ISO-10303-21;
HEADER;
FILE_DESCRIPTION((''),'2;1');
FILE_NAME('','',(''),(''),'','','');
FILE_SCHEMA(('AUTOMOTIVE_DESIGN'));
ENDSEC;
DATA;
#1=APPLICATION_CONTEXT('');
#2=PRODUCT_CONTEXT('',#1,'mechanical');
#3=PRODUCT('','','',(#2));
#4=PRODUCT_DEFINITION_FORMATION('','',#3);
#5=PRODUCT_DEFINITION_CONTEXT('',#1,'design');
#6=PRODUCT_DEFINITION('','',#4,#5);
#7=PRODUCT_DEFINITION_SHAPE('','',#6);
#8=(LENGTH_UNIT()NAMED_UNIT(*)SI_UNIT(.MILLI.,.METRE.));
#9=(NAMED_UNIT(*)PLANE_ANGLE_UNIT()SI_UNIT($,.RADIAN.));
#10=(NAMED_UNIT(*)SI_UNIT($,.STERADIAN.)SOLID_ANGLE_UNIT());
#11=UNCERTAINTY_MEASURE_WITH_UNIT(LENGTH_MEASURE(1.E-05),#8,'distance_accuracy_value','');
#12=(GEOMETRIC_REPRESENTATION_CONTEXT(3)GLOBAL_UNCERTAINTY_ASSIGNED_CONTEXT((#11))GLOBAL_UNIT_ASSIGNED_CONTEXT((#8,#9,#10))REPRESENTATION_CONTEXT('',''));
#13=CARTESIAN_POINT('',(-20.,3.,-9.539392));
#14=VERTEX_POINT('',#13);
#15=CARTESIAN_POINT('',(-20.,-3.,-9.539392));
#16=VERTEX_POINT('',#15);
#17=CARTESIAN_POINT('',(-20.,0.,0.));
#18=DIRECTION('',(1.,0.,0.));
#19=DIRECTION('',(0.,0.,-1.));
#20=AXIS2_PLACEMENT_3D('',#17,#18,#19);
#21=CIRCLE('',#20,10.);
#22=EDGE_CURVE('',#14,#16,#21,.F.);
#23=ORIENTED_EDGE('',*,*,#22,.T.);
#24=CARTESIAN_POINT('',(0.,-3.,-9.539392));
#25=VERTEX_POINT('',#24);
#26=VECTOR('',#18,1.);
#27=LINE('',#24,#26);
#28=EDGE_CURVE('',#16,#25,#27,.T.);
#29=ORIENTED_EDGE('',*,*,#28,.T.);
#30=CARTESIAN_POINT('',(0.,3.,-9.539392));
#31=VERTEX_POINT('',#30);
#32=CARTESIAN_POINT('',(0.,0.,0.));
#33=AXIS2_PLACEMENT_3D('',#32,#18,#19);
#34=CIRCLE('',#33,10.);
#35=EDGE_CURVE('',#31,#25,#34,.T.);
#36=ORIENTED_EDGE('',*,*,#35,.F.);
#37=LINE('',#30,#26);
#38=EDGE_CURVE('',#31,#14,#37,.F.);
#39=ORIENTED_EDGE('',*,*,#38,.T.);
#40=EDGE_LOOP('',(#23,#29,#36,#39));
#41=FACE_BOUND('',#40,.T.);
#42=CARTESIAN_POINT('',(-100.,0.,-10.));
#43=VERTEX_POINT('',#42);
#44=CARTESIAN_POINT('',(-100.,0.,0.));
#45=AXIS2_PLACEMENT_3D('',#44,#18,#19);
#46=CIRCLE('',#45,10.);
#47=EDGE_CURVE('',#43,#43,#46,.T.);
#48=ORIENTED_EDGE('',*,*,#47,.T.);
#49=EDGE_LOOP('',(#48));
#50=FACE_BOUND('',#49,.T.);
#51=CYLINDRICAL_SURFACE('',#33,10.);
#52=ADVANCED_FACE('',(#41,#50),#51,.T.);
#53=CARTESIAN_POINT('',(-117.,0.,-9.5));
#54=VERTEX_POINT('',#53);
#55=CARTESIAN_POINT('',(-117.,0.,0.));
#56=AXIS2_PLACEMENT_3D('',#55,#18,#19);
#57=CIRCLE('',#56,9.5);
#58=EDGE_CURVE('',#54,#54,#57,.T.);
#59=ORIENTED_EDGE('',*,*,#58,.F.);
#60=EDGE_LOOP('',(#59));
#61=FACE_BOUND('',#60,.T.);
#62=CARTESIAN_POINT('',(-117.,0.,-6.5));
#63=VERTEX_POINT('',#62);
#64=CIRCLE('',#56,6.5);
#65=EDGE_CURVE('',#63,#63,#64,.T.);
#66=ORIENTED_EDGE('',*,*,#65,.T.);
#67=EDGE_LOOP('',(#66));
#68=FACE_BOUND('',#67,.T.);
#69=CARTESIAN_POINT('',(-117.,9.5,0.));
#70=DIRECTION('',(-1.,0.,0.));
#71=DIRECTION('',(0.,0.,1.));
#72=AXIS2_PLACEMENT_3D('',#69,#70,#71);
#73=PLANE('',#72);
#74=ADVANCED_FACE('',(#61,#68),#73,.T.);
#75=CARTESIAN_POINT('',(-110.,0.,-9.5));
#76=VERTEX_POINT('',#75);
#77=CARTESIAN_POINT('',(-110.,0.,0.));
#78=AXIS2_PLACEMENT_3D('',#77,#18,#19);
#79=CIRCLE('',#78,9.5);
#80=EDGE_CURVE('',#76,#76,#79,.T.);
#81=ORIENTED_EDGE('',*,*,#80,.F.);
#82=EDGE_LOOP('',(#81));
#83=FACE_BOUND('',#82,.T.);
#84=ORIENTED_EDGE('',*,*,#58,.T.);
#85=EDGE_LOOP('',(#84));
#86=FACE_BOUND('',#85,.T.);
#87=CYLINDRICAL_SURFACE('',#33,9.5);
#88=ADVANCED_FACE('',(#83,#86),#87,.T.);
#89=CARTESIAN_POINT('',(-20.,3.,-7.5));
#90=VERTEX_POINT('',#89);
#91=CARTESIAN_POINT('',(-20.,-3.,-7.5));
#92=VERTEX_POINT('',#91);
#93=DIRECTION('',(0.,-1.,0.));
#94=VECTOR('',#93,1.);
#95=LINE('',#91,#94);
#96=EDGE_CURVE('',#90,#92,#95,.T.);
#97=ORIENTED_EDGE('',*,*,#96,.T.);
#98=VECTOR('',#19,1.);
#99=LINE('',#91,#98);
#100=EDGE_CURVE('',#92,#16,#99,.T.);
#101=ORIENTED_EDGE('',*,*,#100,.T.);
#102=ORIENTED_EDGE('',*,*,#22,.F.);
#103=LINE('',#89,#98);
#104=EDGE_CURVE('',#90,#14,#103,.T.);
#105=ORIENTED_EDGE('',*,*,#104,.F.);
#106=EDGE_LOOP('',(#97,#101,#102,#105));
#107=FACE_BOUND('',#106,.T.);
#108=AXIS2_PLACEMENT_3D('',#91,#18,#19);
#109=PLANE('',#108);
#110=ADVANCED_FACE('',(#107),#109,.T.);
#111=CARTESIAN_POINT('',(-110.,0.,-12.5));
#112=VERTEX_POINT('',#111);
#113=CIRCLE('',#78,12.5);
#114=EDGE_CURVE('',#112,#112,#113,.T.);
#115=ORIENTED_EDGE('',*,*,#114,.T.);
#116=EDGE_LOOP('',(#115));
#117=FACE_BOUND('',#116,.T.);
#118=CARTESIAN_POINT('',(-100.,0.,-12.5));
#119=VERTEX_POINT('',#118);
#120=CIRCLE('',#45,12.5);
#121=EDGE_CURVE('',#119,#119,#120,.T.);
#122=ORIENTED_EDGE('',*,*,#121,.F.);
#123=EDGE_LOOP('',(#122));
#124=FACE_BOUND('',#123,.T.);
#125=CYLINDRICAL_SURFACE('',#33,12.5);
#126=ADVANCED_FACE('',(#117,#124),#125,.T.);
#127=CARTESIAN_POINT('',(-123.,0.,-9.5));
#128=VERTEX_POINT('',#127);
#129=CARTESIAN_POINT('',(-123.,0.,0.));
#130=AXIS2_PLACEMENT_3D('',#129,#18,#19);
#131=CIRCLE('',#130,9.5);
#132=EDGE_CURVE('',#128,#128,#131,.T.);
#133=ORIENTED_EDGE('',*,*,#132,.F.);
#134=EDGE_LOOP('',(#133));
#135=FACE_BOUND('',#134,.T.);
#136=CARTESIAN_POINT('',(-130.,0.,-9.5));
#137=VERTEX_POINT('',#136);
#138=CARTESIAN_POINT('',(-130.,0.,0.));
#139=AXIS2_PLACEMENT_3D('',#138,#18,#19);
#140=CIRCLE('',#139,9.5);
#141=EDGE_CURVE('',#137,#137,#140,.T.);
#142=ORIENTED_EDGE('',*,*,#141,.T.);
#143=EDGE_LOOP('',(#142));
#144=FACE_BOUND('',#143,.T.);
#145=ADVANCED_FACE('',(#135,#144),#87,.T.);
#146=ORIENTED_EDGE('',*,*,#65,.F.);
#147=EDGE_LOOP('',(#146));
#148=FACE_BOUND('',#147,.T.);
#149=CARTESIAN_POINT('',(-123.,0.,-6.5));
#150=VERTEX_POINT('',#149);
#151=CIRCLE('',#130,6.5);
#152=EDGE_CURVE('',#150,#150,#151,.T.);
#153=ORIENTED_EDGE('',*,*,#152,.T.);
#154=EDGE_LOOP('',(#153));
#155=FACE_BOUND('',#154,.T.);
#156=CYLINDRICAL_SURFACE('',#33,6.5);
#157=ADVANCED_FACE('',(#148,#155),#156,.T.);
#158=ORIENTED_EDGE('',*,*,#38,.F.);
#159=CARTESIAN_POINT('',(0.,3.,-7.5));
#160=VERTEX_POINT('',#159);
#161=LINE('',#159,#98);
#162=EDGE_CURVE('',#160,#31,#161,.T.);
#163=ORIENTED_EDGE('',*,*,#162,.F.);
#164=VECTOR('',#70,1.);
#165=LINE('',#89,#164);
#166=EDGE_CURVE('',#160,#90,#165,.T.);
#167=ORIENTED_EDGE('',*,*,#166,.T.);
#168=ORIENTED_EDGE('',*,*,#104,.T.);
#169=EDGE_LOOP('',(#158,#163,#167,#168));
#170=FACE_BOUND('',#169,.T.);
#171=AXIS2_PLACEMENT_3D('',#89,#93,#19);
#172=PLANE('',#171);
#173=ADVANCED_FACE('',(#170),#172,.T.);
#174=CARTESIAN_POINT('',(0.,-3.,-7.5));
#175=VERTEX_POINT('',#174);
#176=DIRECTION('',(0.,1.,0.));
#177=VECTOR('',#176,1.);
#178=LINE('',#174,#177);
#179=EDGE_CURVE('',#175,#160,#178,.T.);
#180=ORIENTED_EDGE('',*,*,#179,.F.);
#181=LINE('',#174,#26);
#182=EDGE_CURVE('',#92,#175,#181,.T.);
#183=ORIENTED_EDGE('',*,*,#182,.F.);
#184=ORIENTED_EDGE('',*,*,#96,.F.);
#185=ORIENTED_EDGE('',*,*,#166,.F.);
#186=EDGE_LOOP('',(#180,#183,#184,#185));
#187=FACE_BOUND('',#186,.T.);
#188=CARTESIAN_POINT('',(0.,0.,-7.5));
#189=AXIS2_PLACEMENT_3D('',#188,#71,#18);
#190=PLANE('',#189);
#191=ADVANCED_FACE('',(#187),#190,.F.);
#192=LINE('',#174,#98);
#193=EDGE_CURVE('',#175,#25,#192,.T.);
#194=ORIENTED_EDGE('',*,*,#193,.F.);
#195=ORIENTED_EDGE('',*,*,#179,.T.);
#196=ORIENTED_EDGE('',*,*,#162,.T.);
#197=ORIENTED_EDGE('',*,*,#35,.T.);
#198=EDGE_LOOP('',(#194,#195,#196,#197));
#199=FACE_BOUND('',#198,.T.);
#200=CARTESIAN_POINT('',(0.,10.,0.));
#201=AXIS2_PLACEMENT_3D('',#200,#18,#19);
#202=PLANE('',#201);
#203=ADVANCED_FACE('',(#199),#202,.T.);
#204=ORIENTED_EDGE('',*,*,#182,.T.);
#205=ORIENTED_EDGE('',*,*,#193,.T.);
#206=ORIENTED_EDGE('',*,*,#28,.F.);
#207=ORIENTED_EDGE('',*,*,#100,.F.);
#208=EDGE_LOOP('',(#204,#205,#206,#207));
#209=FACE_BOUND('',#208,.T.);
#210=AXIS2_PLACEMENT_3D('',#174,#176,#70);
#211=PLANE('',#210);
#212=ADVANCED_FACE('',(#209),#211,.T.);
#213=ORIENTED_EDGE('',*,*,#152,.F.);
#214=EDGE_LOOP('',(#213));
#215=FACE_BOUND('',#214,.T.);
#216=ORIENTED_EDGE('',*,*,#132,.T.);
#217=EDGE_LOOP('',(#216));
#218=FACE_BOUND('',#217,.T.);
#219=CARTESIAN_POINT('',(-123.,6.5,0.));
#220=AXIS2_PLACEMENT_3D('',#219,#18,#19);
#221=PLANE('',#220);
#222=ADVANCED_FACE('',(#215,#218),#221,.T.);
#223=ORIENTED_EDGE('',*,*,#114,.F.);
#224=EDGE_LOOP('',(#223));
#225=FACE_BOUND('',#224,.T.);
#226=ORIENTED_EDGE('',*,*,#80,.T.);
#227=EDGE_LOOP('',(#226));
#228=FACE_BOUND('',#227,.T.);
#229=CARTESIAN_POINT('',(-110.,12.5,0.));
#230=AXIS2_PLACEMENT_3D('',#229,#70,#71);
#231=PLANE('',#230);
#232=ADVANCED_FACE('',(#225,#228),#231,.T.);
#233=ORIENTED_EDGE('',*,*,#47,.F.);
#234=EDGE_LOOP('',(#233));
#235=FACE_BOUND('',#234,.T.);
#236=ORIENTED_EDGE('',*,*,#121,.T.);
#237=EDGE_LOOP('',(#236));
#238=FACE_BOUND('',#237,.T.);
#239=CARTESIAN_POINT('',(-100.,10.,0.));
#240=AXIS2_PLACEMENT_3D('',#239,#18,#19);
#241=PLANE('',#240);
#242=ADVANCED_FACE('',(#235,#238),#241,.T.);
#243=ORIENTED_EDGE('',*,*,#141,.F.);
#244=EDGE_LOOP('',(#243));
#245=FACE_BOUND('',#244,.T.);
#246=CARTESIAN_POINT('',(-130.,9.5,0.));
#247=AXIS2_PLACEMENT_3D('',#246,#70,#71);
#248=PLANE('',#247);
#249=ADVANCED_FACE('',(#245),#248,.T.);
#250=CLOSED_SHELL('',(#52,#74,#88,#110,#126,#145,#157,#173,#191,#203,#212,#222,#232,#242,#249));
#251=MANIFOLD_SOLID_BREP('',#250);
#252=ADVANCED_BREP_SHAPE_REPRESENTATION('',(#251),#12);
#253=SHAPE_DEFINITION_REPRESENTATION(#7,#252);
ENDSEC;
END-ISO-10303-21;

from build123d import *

# Parameters (mm, degrees)
IZIM2_W               = 20
IZIM2_H               = 6
KES_EKSTR_ZYON2_DEPTH = 2.5


with BuildPart() as part:
    # Çizim1 → Döndür1 (revolve)
    with BuildSketch(Plane.XY):
        Polygon((-100, 10), (-100, 12.5), (-110, 12.5), (-110, 9.5), (-117, 9.5), (-117, 6.5), (-123, 6.5), (-123, 9.5), (-130, 9.5), (-130, 0), (0, 0), (0, 10), align=None)
    revolve(axis=Axis((0, 0, 0), (-1, 0, 0)))

    # Çizim2 → Kes-Ekstrüzyon2 (cut)
    with BuildSketch(Plane.XY.offset(-10)):
        with Locations((-10, 0)):
            Rectangle(IZIM2_W, IZIM2_H)
    extrude(amount=KES_EKSTR_ZYON2_DEPTH, mode=Mode.SUBTRACT)


solid = part.part
